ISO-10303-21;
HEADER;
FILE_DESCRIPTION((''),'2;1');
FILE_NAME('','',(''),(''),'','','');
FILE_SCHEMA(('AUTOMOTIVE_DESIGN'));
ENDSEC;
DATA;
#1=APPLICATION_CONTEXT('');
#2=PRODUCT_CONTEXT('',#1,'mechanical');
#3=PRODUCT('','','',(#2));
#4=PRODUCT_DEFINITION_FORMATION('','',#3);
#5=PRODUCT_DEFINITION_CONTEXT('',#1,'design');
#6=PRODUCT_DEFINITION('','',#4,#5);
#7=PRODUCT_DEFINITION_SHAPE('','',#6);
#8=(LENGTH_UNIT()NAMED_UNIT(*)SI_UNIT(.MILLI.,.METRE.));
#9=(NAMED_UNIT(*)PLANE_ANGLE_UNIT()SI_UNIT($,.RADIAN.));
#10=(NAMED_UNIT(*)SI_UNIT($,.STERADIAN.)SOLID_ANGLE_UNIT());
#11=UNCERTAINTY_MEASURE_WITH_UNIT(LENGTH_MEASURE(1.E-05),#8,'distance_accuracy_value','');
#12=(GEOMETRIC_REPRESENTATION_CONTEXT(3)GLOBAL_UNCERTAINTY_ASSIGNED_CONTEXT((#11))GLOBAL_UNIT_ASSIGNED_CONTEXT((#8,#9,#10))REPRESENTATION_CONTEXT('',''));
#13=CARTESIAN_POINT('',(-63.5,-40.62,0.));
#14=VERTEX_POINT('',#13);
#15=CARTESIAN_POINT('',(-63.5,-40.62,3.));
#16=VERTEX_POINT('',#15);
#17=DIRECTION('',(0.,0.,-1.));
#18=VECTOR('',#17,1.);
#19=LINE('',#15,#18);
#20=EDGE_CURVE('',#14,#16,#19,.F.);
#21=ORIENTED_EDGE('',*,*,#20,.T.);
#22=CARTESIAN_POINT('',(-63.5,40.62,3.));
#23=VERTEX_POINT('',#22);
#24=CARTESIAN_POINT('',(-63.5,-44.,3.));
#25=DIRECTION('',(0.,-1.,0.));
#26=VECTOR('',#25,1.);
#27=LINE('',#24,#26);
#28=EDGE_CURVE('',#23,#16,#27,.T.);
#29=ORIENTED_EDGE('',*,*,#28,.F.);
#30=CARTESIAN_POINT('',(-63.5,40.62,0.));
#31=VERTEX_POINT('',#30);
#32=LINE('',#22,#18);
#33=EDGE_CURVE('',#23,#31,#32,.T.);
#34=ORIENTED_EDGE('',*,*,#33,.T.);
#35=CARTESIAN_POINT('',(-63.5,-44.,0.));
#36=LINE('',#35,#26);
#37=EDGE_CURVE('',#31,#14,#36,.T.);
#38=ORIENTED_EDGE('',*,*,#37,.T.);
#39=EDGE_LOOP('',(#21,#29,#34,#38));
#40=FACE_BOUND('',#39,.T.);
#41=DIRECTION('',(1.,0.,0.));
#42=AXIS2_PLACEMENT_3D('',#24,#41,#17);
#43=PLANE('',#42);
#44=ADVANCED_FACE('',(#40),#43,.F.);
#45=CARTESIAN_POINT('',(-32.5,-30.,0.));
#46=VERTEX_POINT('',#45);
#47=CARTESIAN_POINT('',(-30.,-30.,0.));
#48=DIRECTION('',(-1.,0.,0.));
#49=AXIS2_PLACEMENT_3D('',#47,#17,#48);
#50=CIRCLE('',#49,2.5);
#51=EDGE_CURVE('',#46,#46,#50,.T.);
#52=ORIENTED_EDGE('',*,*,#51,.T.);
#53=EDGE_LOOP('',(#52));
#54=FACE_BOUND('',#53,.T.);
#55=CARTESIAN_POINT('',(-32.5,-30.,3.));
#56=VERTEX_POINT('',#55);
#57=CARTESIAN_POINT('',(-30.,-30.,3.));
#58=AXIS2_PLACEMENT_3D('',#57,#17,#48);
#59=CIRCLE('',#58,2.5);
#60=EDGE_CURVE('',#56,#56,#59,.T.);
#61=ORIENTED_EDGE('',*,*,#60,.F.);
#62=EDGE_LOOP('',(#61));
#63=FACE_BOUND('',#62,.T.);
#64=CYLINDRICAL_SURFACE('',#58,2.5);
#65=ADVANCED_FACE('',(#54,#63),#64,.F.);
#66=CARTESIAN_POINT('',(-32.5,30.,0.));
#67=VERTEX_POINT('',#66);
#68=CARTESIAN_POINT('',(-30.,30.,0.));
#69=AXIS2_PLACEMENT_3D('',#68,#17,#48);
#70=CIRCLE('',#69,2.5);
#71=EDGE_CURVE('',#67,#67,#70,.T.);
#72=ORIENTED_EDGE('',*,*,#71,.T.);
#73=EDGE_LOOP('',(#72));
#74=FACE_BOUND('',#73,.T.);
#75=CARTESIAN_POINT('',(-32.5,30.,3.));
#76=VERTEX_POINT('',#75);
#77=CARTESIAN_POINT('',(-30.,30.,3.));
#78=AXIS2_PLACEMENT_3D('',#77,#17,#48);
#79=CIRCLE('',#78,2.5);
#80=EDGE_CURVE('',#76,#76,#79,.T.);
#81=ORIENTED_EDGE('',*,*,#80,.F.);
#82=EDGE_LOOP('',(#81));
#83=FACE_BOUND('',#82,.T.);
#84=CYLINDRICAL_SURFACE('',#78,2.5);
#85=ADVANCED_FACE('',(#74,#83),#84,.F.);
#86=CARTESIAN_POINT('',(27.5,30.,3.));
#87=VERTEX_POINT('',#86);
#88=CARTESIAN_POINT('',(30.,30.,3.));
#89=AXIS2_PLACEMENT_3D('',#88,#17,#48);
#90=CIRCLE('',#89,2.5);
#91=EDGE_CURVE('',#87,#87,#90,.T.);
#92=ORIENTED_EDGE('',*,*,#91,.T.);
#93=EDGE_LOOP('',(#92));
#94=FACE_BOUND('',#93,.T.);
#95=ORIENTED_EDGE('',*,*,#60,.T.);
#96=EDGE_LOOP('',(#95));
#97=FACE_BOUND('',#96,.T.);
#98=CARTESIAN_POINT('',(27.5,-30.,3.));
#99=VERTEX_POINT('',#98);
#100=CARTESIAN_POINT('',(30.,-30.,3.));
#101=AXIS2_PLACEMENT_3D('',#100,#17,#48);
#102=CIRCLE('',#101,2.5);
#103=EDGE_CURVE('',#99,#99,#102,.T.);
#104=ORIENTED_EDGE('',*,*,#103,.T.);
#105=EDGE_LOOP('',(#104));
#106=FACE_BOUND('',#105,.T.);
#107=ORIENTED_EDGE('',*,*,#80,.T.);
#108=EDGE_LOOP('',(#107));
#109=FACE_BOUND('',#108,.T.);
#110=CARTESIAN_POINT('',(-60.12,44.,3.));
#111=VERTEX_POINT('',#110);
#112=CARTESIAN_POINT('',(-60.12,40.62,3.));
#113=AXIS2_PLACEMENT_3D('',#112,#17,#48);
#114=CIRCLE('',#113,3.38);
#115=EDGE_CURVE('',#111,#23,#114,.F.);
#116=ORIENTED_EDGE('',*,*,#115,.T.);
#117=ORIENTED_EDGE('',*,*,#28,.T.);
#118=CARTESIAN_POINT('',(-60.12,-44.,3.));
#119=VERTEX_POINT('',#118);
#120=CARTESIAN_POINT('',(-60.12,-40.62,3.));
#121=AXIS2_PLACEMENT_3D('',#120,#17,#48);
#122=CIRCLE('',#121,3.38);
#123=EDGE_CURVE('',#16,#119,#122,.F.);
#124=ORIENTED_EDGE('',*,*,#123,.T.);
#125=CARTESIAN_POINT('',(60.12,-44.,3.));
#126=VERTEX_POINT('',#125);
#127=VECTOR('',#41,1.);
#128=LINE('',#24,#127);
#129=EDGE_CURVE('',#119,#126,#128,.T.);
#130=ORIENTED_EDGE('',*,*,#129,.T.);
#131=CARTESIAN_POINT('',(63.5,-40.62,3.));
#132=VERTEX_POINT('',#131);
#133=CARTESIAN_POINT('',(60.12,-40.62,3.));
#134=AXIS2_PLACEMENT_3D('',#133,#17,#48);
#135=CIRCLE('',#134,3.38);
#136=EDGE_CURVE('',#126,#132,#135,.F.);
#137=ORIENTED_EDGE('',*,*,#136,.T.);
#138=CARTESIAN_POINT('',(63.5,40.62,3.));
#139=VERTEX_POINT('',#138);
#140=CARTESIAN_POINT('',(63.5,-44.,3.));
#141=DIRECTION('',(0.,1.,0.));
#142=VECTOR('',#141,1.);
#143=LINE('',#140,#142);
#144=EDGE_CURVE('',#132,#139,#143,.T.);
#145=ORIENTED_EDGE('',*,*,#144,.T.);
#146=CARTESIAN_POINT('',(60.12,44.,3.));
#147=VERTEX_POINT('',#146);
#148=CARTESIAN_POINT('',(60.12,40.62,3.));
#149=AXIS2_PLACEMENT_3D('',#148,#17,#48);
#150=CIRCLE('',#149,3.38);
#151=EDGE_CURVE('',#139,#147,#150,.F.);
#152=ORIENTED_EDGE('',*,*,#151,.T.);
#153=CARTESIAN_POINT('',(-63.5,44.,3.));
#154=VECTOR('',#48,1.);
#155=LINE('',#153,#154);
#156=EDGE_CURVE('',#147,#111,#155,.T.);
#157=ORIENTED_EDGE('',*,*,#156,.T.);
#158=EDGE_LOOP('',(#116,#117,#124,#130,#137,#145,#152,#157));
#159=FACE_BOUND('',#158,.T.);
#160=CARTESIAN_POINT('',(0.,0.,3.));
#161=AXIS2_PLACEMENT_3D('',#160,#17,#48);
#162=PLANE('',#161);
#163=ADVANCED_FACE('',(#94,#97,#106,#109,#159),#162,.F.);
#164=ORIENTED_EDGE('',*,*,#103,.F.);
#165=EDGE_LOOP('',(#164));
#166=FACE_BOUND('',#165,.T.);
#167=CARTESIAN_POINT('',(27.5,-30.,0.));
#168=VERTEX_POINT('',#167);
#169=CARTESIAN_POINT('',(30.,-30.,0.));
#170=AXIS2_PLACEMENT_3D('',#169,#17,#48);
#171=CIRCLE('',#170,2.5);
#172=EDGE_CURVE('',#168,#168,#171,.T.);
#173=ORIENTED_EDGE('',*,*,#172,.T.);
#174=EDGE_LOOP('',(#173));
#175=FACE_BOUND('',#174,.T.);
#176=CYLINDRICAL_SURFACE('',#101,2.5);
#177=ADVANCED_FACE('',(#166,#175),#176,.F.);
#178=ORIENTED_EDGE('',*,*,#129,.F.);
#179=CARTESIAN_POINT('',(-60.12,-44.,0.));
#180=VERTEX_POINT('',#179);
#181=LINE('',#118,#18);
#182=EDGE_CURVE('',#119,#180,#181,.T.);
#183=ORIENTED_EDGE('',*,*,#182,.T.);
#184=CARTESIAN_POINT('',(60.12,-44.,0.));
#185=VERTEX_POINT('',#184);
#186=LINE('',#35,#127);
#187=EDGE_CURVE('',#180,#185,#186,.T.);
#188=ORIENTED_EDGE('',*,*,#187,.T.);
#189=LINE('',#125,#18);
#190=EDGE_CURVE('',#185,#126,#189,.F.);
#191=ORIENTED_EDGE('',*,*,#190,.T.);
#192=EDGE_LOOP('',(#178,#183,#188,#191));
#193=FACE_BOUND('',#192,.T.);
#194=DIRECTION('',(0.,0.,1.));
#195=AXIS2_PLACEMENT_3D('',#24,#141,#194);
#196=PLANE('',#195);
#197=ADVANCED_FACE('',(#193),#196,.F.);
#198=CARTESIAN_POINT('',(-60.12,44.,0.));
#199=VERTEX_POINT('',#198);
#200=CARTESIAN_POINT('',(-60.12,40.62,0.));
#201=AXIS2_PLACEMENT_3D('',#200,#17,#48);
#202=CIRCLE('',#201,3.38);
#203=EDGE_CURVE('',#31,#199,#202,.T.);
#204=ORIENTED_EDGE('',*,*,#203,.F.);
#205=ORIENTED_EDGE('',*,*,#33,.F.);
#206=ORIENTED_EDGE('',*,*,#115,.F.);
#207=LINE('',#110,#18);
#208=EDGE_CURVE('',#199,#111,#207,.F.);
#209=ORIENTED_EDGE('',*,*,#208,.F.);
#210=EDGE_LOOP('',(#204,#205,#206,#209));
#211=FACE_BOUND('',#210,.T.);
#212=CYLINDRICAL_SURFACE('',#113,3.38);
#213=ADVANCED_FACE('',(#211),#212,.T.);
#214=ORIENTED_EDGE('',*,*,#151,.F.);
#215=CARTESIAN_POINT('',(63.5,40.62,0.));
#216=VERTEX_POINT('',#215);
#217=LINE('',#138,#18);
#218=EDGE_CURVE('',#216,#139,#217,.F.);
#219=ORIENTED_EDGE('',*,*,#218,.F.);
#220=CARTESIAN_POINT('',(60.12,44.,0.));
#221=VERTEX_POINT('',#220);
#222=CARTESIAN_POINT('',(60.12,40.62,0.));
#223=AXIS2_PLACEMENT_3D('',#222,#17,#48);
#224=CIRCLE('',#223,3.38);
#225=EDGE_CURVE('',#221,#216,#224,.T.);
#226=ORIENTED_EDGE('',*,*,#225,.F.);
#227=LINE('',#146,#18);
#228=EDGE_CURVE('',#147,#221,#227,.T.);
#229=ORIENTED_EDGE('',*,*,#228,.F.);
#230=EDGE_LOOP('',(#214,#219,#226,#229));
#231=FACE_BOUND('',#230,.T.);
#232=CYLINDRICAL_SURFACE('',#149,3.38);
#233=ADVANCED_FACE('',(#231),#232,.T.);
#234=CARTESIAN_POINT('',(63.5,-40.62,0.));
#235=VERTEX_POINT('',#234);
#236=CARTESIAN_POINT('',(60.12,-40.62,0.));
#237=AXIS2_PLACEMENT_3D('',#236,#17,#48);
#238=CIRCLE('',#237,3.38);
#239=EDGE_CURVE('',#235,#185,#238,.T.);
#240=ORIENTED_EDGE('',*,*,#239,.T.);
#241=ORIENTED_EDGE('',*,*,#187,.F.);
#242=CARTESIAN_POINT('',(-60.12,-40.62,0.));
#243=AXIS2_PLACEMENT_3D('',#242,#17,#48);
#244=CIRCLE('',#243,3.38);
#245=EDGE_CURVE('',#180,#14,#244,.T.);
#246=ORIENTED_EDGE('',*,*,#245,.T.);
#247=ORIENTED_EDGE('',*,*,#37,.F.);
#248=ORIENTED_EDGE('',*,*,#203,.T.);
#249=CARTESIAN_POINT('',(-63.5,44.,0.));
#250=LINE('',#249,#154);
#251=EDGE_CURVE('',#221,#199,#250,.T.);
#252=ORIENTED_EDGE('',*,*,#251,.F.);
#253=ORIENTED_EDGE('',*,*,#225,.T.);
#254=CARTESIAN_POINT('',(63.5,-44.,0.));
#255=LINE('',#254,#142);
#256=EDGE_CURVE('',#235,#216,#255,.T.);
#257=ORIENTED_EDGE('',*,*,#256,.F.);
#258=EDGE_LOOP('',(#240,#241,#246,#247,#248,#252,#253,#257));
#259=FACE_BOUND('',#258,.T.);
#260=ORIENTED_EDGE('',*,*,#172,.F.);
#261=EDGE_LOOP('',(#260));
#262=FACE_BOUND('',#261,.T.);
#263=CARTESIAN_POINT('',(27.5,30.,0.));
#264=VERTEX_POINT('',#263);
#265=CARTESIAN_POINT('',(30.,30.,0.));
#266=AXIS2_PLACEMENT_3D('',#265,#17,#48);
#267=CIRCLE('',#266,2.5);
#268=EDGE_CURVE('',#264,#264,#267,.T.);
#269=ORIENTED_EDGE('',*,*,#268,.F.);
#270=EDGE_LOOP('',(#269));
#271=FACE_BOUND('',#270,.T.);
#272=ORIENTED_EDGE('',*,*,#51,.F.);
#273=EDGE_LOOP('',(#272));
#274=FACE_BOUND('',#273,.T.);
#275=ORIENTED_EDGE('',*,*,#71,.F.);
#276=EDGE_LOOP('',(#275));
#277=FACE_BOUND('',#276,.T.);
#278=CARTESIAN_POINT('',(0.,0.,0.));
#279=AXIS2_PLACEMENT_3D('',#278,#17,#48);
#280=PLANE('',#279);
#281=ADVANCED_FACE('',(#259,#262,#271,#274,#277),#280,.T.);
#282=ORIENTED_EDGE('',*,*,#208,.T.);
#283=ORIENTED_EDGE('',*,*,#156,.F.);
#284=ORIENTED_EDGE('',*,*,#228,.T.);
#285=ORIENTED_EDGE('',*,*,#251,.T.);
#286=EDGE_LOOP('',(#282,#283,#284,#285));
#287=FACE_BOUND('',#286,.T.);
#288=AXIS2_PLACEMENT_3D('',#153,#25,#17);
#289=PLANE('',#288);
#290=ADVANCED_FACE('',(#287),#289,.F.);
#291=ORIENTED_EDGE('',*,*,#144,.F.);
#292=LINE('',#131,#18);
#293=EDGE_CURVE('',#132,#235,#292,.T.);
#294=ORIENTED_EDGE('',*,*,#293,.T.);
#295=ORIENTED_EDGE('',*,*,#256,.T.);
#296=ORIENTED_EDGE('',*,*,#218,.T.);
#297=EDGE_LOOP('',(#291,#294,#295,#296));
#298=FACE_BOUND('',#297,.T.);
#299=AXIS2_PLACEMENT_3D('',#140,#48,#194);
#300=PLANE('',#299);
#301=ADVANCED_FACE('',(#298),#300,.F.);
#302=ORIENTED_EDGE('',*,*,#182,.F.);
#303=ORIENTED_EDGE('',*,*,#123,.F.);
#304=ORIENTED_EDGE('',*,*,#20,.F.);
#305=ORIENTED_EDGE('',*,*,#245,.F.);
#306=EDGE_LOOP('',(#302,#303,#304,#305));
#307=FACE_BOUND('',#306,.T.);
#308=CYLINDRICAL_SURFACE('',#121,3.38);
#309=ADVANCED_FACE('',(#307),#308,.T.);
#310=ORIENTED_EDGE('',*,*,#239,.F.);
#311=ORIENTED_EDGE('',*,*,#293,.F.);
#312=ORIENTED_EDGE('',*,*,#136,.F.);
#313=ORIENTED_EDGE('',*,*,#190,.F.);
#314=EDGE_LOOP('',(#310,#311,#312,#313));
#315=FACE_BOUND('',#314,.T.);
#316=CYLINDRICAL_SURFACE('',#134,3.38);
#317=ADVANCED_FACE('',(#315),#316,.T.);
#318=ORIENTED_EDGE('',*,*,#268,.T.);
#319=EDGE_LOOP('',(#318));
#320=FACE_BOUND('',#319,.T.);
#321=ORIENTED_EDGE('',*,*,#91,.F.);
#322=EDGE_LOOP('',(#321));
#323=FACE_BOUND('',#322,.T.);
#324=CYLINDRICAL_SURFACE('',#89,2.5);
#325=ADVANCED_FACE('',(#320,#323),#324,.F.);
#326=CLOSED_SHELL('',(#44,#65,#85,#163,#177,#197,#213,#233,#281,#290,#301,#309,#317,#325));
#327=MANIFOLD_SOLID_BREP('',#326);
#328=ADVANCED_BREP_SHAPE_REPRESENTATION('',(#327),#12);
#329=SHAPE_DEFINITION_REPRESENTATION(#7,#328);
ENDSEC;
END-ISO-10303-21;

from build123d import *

# Parameters (mm, degrees)
SKETCH2_W           = 127
SKETCH2_H           = 88
BOSS_EXTRUDE1_DEPTH = 3
FILLET1_R           = 3.38
SKETCH3_R           = 2.5
CUT_EXTRUDE1_DEPTH  = 4


with BuildPart() as part:
    # Sketch2 → Boss-Extrude1 (new body)
    with BuildSketch(Plane.XY):
        Rectangle(SKETCH2_W, SKETCH2_H)
    extrude(amount=BOSS_EXTRUDE1_DEPTH)

    # Fillet1
    fillet1_edges = [part.edges().sort_by_distance(p)[0] for p in [
        (63.5, -44, 1.5),
        (-63.5, -44, 1.5),
        (-63.5, 44, 1.5),
        (63.5, 44, 1.5),
    ]]
    fillet(fillet1_edges, radius=FILLET1_R)

    # Sketch3 → Cut-Extrude1 (cut, through all)
    with BuildSketch(Plane(origin=(0, 0, 0), x_dir=(-1, 0, 0), z_dir=(0, 0, -1))):
        with Locations((-30, -30)):
            Circle(SKETCH3_R)
        with Locations((-30, 30)):
            Circle(SKETCH3_R)
        with Locations((30, 30)):
            Circle(SKETCH3_R)
        with Locations((30, -30)):
            Circle(SKETCH3_R)
    extrude(amount=-CUT_EXTRUDE1_DEPTH, mode=Mode.SUBTRACT)


solid = part.part
